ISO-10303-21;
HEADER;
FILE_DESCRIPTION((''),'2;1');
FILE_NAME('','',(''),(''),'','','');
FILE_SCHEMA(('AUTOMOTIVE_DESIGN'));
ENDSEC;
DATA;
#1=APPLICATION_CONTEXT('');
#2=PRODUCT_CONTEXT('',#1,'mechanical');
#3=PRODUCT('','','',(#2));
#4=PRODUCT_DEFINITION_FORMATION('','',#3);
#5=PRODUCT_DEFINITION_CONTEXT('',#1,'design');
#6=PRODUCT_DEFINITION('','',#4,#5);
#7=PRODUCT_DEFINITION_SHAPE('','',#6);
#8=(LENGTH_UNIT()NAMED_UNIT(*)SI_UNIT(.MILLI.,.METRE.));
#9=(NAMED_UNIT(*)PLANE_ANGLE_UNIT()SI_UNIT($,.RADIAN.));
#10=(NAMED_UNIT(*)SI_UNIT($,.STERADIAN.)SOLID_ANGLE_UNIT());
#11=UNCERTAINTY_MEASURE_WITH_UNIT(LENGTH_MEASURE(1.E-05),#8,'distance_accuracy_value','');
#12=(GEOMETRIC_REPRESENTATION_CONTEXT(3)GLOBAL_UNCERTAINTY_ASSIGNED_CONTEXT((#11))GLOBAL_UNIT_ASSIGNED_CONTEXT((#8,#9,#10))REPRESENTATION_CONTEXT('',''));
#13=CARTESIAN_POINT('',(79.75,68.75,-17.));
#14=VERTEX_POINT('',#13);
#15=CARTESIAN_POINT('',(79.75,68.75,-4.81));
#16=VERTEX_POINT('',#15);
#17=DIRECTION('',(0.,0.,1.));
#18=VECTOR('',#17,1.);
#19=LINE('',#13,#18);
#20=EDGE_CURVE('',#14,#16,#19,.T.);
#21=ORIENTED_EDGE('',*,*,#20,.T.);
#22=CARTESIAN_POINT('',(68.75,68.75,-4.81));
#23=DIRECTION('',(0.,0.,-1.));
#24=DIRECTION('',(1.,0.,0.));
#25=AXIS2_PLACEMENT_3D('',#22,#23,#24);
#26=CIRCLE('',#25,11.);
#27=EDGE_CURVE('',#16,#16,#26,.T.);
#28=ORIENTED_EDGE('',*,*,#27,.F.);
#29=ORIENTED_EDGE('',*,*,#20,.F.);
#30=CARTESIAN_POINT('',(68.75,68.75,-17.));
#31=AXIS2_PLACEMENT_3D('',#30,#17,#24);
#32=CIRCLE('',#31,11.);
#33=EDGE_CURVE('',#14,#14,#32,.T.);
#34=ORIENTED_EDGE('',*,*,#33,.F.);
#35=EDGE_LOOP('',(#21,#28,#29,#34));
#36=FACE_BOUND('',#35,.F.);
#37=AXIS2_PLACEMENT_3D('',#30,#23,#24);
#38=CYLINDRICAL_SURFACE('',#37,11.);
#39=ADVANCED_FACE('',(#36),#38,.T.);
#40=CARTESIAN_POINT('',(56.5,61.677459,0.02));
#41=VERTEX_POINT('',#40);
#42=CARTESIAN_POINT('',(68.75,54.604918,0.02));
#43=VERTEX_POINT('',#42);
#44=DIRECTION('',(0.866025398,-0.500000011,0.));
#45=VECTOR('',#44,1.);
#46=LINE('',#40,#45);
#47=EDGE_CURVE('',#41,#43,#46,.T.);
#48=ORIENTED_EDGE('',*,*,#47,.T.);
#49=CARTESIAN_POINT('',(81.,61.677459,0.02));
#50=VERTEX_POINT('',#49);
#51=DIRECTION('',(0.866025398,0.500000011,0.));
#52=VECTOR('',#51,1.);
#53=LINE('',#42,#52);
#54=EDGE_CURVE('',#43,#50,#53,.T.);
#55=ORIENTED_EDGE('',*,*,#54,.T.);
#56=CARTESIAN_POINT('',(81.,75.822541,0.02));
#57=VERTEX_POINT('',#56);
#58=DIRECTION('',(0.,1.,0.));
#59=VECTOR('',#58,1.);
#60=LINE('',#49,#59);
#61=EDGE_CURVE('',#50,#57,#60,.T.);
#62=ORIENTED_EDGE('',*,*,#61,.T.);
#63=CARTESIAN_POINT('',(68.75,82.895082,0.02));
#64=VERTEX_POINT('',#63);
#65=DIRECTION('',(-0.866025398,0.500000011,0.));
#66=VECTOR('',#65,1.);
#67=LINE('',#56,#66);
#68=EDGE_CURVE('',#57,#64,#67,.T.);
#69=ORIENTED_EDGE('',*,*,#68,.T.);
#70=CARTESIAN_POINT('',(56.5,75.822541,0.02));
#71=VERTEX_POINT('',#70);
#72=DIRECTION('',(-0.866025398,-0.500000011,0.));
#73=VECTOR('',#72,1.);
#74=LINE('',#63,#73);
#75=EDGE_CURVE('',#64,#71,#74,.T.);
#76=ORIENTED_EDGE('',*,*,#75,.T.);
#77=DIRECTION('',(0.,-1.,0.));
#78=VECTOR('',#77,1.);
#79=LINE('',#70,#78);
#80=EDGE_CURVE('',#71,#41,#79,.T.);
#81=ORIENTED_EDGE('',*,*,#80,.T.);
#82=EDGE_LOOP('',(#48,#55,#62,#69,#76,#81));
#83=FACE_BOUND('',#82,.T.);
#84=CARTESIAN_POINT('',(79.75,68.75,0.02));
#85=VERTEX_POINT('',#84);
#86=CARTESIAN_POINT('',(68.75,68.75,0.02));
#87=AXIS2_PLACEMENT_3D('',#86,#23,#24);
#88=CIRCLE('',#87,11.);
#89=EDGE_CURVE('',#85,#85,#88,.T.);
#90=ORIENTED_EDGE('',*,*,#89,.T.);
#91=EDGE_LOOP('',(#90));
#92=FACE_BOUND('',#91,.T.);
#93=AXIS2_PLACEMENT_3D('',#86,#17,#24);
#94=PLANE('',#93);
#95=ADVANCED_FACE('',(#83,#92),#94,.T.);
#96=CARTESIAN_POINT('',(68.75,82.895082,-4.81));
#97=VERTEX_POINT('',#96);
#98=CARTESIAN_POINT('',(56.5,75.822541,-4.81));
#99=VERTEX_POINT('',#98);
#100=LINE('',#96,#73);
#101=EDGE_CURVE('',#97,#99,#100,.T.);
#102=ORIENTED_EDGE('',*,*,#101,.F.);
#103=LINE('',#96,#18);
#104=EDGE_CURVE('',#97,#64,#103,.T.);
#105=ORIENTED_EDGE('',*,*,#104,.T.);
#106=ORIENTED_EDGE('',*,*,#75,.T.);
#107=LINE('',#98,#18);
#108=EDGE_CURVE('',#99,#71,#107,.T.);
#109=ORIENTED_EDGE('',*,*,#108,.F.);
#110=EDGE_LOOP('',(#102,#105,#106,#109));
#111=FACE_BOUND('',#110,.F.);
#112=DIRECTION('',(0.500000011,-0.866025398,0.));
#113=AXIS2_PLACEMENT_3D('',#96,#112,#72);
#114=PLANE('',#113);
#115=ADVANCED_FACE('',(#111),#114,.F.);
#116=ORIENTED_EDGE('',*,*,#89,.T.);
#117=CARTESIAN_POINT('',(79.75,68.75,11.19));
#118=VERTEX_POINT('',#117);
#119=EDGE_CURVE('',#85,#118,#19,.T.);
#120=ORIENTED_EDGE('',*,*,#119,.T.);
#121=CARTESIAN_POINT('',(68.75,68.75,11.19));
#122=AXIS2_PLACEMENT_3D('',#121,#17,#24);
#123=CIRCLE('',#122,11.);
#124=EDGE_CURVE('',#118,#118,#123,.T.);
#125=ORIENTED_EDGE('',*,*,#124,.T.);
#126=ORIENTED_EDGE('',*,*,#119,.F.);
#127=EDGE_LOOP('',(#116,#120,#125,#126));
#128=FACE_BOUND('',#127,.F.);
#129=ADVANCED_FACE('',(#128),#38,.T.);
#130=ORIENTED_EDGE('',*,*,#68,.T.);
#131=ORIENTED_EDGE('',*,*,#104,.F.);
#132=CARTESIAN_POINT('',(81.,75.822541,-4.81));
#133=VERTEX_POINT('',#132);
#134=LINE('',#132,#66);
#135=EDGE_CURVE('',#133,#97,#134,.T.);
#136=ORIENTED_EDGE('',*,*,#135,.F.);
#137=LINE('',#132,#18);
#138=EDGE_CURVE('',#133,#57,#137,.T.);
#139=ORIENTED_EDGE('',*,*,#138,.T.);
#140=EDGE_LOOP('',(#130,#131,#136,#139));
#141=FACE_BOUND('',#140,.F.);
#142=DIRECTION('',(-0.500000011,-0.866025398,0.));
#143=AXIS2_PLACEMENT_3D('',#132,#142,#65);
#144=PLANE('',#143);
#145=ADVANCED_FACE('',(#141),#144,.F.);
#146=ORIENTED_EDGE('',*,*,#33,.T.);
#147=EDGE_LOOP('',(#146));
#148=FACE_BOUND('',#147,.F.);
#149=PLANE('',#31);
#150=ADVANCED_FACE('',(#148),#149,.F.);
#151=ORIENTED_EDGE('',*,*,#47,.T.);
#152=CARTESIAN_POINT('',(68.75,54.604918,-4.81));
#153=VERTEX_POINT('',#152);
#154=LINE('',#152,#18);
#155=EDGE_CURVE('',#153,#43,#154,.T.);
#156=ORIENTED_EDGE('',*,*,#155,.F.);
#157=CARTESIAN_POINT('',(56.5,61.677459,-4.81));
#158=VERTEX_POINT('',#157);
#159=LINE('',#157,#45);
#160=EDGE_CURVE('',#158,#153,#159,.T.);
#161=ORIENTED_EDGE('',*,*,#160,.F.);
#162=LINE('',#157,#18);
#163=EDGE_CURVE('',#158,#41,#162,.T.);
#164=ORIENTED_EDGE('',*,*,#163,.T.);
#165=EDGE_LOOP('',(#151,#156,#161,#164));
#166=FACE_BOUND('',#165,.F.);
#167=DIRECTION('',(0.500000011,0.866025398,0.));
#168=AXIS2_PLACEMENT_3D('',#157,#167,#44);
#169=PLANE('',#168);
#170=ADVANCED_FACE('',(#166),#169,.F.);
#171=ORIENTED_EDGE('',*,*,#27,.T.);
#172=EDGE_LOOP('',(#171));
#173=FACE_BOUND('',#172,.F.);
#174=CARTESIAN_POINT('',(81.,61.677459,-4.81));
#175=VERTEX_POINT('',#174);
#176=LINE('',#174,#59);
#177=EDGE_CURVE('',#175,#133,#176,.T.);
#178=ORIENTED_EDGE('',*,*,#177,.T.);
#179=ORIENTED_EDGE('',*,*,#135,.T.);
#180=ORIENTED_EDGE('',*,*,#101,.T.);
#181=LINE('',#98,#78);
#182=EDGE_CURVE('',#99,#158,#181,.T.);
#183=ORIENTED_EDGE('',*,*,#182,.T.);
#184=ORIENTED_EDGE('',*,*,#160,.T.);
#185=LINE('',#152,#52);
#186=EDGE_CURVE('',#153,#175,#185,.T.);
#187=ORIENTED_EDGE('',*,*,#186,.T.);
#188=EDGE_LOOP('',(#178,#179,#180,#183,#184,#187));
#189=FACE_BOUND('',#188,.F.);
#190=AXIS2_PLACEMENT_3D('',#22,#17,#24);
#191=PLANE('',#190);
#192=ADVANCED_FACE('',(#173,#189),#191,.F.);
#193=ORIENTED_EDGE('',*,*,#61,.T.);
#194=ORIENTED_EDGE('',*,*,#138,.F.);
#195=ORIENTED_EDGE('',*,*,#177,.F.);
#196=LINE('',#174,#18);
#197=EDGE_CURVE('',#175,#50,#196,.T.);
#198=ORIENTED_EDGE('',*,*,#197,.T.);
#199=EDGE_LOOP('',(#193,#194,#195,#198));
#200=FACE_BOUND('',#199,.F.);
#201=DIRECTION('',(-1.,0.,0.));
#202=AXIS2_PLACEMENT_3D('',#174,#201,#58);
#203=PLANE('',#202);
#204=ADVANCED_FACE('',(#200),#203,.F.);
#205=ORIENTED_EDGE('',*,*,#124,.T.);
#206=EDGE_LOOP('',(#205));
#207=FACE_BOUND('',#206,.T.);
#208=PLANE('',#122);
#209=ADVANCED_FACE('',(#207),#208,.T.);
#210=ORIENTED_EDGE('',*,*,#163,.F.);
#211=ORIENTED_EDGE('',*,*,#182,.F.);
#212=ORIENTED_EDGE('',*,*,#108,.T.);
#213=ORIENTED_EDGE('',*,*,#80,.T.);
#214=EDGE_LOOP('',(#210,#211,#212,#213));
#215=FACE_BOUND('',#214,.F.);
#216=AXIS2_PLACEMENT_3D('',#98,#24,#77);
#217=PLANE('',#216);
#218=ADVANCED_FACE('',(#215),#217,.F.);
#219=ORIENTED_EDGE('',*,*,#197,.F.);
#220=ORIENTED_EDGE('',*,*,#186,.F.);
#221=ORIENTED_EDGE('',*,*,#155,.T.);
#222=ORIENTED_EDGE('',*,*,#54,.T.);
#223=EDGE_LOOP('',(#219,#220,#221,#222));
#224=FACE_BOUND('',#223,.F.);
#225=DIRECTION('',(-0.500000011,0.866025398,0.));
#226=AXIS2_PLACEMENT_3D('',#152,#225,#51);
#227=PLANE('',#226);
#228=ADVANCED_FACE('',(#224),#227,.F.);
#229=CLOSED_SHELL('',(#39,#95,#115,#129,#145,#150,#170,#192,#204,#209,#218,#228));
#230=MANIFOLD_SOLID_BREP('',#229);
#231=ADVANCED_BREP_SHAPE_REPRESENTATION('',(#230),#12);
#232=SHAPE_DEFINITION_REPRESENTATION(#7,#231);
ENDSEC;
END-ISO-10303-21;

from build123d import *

# Parameters (mm, degrees)
EXTRUDE_DEPTH     = 4.83
CYLINDER002_R     = 11
CYLINDER002_DEPTH = 28.19


with BuildPart() as extrude_body:
    # Sketch → Extrude (new body)
    with BuildSketch(Plane.XY):
        Polygon((12.25, -7.072541), (12.25, 7.072541), (0, 14.145082), (-12.25, 7.072541), (-12.25, -7.072541), (0, -14.145082), align=None)
    extrude(amount=EXTRUDE_DEPTH)


with BuildPart() as extrude_body_1:
    # Extrude placement: moved
    add(extrude_body.part.moved(Location((0, 0, 12.19))))


with BuildPart() as powerplug:
    # Cylinder002 → Cylinder002 (new body)
    with BuildSketch(Plane.XY):
        Circle(CYLINDER002_R)
    extrude(amount=CYLINDER002_DEPTH)

    # Fusion: union Extrude body
    add(extrude_body_1.part)


with BuildPart() as powerplug_1:
    # Fusion placement: moved
    add(powerplug.part.moved(Location((68.75, 68.75, -17))))


solid = powerplug_1.part
